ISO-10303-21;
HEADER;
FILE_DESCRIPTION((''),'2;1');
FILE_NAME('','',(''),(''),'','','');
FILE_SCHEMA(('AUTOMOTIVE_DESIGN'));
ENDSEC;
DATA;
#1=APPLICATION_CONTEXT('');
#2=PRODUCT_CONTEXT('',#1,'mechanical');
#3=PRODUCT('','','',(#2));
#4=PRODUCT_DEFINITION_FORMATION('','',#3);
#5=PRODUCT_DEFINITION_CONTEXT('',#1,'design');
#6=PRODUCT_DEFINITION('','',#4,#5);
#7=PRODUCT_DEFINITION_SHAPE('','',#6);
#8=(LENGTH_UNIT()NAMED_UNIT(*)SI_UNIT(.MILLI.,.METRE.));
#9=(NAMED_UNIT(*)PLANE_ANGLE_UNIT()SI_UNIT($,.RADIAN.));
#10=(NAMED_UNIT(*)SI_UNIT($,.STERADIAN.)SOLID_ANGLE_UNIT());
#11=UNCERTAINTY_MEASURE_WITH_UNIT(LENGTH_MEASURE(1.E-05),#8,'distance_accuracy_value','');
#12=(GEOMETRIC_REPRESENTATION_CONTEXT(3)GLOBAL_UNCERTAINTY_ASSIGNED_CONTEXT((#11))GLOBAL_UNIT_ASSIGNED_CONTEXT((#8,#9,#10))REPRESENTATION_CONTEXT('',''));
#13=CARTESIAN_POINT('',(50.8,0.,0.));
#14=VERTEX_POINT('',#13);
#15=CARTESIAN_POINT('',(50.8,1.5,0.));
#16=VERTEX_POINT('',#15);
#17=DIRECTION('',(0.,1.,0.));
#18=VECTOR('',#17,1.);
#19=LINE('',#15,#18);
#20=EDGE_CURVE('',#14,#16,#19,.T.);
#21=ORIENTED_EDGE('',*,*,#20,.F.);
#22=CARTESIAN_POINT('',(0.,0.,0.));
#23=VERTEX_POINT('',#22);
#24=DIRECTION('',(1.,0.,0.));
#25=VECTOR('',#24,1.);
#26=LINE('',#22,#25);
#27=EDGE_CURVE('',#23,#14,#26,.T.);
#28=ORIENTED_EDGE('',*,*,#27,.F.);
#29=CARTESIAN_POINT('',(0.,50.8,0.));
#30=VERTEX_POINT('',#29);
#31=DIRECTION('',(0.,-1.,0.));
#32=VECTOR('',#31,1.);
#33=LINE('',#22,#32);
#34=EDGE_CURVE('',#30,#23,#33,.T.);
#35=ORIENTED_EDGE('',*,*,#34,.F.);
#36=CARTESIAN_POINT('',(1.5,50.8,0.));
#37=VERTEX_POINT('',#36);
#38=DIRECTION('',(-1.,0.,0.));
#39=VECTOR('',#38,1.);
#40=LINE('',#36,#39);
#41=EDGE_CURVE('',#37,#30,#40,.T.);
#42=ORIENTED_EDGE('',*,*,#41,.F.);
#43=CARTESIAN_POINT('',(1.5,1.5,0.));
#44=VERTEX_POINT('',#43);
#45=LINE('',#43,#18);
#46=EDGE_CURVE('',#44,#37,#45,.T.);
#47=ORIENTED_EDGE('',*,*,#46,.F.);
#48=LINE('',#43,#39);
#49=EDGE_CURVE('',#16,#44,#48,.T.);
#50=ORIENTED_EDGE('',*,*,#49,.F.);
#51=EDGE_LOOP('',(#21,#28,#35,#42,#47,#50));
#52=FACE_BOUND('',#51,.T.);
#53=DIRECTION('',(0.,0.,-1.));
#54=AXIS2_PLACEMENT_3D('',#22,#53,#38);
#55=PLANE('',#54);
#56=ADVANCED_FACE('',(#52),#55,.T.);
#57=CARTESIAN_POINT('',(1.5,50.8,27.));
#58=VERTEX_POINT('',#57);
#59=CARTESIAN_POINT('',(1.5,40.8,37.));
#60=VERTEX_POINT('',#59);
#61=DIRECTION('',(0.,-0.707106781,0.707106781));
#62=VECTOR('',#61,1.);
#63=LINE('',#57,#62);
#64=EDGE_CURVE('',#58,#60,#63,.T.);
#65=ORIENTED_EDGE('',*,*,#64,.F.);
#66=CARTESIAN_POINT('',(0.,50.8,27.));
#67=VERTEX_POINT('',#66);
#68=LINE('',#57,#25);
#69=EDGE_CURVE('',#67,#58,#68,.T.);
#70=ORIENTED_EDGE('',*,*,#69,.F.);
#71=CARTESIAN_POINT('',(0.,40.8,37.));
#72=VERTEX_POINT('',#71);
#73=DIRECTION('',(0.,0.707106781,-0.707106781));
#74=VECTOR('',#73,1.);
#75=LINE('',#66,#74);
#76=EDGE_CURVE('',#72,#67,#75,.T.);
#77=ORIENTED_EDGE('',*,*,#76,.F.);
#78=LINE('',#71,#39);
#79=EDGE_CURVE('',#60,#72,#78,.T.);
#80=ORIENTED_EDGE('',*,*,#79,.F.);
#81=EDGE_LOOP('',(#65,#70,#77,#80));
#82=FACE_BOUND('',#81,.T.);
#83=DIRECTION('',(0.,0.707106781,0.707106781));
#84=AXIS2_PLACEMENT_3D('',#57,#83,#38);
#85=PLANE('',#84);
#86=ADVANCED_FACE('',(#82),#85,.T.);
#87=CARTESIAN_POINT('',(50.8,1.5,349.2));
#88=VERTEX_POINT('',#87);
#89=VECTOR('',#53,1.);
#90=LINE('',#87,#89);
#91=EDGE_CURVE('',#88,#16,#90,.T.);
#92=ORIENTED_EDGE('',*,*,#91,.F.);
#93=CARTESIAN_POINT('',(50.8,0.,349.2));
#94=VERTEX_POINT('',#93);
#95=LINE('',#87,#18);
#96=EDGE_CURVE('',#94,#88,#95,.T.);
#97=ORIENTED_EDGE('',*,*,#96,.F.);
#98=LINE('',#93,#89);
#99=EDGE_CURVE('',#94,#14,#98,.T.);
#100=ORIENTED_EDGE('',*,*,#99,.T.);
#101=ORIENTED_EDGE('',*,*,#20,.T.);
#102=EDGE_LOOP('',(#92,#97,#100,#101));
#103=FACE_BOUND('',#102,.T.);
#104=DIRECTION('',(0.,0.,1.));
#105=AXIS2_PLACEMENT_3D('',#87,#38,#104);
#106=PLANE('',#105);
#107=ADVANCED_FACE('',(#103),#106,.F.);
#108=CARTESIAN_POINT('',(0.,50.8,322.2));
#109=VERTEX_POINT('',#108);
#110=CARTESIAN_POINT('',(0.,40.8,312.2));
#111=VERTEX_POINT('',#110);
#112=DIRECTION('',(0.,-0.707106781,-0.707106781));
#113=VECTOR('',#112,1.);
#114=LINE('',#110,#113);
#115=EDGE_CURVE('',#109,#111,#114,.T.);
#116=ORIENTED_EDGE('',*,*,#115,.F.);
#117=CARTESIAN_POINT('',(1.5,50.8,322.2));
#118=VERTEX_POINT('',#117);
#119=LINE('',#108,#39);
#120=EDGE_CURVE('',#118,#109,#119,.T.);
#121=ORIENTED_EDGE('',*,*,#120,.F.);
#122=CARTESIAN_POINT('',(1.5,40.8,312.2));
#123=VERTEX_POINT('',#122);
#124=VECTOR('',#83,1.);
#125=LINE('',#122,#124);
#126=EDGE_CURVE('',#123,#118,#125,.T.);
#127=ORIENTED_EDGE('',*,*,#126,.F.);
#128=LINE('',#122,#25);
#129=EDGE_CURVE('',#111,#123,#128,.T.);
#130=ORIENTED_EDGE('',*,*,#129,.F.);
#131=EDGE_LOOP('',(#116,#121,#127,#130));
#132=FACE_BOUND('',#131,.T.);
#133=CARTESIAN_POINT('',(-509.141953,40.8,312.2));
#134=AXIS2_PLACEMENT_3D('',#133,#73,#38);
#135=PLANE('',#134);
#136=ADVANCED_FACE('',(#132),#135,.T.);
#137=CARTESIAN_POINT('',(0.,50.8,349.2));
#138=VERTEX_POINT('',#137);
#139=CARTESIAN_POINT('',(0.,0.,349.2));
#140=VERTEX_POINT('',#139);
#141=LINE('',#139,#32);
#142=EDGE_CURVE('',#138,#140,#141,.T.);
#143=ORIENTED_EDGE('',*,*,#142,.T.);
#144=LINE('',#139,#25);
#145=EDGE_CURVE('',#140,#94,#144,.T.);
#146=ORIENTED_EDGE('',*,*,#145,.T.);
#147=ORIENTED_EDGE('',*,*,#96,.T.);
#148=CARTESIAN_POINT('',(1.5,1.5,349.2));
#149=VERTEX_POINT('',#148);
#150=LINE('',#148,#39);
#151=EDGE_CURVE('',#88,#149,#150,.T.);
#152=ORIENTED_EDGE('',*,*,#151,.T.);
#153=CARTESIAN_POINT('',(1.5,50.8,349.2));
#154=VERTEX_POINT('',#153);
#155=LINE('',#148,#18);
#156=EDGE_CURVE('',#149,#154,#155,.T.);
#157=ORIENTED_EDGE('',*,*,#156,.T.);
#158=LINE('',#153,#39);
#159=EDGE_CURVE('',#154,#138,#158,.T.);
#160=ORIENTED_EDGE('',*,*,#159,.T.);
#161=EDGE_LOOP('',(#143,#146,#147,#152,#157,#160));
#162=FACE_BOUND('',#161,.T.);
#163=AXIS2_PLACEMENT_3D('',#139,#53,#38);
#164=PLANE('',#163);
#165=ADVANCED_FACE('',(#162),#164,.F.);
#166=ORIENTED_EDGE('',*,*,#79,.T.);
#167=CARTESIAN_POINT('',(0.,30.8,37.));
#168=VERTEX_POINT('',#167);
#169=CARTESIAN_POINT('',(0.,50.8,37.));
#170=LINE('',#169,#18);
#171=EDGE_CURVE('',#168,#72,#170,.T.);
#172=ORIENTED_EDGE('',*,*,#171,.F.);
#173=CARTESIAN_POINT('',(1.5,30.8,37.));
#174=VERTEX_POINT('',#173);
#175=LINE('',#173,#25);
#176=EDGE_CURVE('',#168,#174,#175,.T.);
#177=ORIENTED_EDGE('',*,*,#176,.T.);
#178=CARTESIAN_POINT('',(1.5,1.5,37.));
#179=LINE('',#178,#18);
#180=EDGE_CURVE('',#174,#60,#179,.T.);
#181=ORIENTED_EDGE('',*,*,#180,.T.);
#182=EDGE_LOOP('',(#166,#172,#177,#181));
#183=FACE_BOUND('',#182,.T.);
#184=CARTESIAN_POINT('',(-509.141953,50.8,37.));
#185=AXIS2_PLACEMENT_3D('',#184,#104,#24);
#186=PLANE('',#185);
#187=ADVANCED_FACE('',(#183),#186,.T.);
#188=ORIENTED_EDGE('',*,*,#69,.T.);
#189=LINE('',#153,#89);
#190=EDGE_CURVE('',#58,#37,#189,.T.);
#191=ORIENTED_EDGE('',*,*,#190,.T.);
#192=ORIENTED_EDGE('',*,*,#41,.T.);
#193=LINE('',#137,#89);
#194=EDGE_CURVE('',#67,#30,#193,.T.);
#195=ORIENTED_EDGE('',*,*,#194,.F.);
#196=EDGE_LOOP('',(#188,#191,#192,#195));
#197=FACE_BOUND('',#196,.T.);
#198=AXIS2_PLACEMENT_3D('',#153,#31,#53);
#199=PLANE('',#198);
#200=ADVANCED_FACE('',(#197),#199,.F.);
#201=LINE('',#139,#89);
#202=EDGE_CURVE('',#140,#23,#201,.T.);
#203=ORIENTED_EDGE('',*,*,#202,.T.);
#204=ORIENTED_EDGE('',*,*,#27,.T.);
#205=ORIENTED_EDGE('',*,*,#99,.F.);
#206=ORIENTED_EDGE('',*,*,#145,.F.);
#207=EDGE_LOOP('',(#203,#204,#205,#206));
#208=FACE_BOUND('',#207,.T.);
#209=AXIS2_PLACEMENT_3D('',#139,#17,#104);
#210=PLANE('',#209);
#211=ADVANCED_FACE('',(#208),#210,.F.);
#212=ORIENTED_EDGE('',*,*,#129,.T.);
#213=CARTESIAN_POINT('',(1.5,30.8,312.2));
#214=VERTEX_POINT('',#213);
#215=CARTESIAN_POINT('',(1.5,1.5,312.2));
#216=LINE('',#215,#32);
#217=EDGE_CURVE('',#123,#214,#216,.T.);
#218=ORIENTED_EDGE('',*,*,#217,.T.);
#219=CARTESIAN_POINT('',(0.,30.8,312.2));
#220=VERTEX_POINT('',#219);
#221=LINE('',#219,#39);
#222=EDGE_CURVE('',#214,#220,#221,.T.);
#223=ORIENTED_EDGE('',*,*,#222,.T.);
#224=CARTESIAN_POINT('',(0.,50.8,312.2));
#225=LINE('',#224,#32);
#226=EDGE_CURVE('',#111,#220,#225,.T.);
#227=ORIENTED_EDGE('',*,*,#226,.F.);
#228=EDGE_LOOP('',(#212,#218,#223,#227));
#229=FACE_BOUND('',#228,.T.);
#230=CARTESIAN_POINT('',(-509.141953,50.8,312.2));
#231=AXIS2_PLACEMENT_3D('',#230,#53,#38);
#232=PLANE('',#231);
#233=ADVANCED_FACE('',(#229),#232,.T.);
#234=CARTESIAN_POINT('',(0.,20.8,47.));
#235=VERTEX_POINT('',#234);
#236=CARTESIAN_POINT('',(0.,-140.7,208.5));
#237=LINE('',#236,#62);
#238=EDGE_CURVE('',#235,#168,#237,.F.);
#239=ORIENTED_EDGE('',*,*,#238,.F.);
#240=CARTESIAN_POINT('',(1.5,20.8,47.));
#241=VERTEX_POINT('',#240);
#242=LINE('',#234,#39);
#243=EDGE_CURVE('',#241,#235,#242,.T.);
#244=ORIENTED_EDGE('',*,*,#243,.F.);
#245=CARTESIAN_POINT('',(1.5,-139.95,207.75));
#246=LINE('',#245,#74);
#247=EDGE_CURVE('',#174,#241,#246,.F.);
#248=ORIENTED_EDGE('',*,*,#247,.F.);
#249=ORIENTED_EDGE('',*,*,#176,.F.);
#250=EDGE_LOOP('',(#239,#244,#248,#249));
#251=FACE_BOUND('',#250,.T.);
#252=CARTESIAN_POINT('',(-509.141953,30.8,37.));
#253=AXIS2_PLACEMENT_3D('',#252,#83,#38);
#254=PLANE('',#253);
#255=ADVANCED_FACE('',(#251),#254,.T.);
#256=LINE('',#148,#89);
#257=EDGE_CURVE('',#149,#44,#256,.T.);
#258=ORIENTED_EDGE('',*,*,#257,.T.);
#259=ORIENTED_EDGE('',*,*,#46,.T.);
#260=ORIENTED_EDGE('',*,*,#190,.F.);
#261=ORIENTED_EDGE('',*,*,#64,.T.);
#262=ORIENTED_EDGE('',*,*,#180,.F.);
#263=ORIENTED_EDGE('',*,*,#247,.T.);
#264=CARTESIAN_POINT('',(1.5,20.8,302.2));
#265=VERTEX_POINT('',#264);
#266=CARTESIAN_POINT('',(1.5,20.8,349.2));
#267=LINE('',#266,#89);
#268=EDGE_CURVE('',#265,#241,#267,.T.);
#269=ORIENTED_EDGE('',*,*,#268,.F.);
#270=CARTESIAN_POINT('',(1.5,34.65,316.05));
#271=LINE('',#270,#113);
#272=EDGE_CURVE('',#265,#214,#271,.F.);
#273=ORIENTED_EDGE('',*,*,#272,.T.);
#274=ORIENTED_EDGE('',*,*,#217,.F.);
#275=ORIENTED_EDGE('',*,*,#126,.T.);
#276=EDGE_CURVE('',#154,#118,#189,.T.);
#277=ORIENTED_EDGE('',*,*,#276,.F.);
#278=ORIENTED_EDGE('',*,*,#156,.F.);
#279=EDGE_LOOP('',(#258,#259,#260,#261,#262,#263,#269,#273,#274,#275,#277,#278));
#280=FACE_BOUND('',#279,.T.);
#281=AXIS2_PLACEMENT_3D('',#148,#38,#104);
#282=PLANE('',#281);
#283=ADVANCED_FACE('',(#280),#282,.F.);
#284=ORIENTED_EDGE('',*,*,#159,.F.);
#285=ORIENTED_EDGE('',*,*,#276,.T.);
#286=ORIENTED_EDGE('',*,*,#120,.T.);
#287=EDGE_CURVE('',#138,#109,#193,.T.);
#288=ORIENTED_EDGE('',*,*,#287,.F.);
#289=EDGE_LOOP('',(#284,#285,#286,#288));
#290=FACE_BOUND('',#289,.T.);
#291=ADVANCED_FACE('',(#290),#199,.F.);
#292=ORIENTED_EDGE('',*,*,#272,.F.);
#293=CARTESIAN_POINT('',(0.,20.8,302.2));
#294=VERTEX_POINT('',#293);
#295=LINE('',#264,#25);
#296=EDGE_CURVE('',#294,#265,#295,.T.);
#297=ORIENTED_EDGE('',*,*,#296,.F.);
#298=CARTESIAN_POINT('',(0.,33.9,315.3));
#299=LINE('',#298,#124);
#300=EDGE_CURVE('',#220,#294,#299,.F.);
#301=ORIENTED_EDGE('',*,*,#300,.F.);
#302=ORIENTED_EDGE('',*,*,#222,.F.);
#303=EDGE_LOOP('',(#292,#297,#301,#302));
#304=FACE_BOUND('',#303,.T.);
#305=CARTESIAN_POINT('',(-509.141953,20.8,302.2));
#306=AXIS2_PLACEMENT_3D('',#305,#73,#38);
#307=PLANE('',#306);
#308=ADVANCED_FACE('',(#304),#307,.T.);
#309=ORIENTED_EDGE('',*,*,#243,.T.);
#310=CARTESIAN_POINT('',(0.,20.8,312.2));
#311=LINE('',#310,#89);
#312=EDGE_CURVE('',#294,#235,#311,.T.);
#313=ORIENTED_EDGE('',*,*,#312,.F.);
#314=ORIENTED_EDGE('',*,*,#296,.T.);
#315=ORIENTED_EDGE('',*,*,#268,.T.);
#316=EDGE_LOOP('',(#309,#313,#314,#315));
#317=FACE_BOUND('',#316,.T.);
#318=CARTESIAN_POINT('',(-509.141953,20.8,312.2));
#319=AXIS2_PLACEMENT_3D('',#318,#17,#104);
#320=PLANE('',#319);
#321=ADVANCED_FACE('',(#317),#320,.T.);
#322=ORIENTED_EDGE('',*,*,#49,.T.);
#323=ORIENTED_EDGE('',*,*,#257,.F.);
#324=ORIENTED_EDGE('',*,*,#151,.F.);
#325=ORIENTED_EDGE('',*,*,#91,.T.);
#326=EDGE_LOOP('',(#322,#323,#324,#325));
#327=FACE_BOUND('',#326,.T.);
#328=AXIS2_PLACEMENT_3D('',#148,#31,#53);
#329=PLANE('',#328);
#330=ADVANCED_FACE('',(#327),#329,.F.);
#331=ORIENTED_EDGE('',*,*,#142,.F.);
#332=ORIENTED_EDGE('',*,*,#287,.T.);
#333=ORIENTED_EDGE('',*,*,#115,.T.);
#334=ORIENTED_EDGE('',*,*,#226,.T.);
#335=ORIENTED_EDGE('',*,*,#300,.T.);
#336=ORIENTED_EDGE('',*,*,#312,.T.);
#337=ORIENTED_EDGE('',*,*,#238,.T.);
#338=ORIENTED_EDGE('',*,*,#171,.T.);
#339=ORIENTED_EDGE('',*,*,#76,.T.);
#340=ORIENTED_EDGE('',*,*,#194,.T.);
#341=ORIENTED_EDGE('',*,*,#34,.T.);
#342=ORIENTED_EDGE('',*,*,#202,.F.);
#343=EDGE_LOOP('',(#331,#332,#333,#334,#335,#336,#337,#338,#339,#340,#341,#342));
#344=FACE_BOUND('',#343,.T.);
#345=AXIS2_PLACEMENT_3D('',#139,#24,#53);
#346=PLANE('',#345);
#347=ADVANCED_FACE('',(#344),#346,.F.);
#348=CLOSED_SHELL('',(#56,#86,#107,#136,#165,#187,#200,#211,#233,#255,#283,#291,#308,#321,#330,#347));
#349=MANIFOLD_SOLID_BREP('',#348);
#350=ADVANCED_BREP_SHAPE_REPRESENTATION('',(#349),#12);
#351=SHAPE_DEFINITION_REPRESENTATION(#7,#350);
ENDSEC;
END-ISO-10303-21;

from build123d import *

# Parameters (mm, degrees)
SALIENTE_EXTRUIR1_DEPTH    = 349.2
CROQUIS5_W                 = 275.2
CROQUIS5_H                 = 30
CORTAR_EXTRUIR2_DEPTH      = 1
CORTAR_EXTRUIR2_DEPTH_BACK = 2
CHAFL_N1_SIZE              = 10


with BuildPart() as part:
    # Croquis1 → Saliente-Extruir1 (new body)
    with BuildSketch(Plane.XY):
        Polygon((0, 0), (0, 50.8), (1.5, 50.8), (1.5, 1.5), (50.8, 1.5), (50.8, 0), align=None)
    extrude(amount=SALIENTE_EXTRUIR1_DEPTH)

    # Croquis5 → Cortar-Extruir2 (cut, two sides)
    with BuildSketch(Plane.ZY) as cortar_extruir2_sk:
        with Locations((174.6, 35.8)):
            Rectangle(CROQUIS5_W, CROQUIS5_H)
    extrude(amount=CORTAR_EXTRUIR2_DEPTH, mode=Mode.SUBTRACT)
    extrude(cortar_extruir2_sk.sketch, amount=-CORTAR_EXTRUIR2_DEPTH_BACK, mode=Mode.SUBTRACT)

    # Chaflán1
    chafl_n1_edges = [part.edges().sort_by_distance(p)[0] for p in [
        (0.75, 20.8, 37),
        (0.75, 20.8, 312.2),
        (0.75, 50.8, 312.2),
        (0.75, 50.8, 37),
    ]]
    chamfer(chafl_n1_edges, length=CHAFL_N1_SIZE)


solid = part.part
